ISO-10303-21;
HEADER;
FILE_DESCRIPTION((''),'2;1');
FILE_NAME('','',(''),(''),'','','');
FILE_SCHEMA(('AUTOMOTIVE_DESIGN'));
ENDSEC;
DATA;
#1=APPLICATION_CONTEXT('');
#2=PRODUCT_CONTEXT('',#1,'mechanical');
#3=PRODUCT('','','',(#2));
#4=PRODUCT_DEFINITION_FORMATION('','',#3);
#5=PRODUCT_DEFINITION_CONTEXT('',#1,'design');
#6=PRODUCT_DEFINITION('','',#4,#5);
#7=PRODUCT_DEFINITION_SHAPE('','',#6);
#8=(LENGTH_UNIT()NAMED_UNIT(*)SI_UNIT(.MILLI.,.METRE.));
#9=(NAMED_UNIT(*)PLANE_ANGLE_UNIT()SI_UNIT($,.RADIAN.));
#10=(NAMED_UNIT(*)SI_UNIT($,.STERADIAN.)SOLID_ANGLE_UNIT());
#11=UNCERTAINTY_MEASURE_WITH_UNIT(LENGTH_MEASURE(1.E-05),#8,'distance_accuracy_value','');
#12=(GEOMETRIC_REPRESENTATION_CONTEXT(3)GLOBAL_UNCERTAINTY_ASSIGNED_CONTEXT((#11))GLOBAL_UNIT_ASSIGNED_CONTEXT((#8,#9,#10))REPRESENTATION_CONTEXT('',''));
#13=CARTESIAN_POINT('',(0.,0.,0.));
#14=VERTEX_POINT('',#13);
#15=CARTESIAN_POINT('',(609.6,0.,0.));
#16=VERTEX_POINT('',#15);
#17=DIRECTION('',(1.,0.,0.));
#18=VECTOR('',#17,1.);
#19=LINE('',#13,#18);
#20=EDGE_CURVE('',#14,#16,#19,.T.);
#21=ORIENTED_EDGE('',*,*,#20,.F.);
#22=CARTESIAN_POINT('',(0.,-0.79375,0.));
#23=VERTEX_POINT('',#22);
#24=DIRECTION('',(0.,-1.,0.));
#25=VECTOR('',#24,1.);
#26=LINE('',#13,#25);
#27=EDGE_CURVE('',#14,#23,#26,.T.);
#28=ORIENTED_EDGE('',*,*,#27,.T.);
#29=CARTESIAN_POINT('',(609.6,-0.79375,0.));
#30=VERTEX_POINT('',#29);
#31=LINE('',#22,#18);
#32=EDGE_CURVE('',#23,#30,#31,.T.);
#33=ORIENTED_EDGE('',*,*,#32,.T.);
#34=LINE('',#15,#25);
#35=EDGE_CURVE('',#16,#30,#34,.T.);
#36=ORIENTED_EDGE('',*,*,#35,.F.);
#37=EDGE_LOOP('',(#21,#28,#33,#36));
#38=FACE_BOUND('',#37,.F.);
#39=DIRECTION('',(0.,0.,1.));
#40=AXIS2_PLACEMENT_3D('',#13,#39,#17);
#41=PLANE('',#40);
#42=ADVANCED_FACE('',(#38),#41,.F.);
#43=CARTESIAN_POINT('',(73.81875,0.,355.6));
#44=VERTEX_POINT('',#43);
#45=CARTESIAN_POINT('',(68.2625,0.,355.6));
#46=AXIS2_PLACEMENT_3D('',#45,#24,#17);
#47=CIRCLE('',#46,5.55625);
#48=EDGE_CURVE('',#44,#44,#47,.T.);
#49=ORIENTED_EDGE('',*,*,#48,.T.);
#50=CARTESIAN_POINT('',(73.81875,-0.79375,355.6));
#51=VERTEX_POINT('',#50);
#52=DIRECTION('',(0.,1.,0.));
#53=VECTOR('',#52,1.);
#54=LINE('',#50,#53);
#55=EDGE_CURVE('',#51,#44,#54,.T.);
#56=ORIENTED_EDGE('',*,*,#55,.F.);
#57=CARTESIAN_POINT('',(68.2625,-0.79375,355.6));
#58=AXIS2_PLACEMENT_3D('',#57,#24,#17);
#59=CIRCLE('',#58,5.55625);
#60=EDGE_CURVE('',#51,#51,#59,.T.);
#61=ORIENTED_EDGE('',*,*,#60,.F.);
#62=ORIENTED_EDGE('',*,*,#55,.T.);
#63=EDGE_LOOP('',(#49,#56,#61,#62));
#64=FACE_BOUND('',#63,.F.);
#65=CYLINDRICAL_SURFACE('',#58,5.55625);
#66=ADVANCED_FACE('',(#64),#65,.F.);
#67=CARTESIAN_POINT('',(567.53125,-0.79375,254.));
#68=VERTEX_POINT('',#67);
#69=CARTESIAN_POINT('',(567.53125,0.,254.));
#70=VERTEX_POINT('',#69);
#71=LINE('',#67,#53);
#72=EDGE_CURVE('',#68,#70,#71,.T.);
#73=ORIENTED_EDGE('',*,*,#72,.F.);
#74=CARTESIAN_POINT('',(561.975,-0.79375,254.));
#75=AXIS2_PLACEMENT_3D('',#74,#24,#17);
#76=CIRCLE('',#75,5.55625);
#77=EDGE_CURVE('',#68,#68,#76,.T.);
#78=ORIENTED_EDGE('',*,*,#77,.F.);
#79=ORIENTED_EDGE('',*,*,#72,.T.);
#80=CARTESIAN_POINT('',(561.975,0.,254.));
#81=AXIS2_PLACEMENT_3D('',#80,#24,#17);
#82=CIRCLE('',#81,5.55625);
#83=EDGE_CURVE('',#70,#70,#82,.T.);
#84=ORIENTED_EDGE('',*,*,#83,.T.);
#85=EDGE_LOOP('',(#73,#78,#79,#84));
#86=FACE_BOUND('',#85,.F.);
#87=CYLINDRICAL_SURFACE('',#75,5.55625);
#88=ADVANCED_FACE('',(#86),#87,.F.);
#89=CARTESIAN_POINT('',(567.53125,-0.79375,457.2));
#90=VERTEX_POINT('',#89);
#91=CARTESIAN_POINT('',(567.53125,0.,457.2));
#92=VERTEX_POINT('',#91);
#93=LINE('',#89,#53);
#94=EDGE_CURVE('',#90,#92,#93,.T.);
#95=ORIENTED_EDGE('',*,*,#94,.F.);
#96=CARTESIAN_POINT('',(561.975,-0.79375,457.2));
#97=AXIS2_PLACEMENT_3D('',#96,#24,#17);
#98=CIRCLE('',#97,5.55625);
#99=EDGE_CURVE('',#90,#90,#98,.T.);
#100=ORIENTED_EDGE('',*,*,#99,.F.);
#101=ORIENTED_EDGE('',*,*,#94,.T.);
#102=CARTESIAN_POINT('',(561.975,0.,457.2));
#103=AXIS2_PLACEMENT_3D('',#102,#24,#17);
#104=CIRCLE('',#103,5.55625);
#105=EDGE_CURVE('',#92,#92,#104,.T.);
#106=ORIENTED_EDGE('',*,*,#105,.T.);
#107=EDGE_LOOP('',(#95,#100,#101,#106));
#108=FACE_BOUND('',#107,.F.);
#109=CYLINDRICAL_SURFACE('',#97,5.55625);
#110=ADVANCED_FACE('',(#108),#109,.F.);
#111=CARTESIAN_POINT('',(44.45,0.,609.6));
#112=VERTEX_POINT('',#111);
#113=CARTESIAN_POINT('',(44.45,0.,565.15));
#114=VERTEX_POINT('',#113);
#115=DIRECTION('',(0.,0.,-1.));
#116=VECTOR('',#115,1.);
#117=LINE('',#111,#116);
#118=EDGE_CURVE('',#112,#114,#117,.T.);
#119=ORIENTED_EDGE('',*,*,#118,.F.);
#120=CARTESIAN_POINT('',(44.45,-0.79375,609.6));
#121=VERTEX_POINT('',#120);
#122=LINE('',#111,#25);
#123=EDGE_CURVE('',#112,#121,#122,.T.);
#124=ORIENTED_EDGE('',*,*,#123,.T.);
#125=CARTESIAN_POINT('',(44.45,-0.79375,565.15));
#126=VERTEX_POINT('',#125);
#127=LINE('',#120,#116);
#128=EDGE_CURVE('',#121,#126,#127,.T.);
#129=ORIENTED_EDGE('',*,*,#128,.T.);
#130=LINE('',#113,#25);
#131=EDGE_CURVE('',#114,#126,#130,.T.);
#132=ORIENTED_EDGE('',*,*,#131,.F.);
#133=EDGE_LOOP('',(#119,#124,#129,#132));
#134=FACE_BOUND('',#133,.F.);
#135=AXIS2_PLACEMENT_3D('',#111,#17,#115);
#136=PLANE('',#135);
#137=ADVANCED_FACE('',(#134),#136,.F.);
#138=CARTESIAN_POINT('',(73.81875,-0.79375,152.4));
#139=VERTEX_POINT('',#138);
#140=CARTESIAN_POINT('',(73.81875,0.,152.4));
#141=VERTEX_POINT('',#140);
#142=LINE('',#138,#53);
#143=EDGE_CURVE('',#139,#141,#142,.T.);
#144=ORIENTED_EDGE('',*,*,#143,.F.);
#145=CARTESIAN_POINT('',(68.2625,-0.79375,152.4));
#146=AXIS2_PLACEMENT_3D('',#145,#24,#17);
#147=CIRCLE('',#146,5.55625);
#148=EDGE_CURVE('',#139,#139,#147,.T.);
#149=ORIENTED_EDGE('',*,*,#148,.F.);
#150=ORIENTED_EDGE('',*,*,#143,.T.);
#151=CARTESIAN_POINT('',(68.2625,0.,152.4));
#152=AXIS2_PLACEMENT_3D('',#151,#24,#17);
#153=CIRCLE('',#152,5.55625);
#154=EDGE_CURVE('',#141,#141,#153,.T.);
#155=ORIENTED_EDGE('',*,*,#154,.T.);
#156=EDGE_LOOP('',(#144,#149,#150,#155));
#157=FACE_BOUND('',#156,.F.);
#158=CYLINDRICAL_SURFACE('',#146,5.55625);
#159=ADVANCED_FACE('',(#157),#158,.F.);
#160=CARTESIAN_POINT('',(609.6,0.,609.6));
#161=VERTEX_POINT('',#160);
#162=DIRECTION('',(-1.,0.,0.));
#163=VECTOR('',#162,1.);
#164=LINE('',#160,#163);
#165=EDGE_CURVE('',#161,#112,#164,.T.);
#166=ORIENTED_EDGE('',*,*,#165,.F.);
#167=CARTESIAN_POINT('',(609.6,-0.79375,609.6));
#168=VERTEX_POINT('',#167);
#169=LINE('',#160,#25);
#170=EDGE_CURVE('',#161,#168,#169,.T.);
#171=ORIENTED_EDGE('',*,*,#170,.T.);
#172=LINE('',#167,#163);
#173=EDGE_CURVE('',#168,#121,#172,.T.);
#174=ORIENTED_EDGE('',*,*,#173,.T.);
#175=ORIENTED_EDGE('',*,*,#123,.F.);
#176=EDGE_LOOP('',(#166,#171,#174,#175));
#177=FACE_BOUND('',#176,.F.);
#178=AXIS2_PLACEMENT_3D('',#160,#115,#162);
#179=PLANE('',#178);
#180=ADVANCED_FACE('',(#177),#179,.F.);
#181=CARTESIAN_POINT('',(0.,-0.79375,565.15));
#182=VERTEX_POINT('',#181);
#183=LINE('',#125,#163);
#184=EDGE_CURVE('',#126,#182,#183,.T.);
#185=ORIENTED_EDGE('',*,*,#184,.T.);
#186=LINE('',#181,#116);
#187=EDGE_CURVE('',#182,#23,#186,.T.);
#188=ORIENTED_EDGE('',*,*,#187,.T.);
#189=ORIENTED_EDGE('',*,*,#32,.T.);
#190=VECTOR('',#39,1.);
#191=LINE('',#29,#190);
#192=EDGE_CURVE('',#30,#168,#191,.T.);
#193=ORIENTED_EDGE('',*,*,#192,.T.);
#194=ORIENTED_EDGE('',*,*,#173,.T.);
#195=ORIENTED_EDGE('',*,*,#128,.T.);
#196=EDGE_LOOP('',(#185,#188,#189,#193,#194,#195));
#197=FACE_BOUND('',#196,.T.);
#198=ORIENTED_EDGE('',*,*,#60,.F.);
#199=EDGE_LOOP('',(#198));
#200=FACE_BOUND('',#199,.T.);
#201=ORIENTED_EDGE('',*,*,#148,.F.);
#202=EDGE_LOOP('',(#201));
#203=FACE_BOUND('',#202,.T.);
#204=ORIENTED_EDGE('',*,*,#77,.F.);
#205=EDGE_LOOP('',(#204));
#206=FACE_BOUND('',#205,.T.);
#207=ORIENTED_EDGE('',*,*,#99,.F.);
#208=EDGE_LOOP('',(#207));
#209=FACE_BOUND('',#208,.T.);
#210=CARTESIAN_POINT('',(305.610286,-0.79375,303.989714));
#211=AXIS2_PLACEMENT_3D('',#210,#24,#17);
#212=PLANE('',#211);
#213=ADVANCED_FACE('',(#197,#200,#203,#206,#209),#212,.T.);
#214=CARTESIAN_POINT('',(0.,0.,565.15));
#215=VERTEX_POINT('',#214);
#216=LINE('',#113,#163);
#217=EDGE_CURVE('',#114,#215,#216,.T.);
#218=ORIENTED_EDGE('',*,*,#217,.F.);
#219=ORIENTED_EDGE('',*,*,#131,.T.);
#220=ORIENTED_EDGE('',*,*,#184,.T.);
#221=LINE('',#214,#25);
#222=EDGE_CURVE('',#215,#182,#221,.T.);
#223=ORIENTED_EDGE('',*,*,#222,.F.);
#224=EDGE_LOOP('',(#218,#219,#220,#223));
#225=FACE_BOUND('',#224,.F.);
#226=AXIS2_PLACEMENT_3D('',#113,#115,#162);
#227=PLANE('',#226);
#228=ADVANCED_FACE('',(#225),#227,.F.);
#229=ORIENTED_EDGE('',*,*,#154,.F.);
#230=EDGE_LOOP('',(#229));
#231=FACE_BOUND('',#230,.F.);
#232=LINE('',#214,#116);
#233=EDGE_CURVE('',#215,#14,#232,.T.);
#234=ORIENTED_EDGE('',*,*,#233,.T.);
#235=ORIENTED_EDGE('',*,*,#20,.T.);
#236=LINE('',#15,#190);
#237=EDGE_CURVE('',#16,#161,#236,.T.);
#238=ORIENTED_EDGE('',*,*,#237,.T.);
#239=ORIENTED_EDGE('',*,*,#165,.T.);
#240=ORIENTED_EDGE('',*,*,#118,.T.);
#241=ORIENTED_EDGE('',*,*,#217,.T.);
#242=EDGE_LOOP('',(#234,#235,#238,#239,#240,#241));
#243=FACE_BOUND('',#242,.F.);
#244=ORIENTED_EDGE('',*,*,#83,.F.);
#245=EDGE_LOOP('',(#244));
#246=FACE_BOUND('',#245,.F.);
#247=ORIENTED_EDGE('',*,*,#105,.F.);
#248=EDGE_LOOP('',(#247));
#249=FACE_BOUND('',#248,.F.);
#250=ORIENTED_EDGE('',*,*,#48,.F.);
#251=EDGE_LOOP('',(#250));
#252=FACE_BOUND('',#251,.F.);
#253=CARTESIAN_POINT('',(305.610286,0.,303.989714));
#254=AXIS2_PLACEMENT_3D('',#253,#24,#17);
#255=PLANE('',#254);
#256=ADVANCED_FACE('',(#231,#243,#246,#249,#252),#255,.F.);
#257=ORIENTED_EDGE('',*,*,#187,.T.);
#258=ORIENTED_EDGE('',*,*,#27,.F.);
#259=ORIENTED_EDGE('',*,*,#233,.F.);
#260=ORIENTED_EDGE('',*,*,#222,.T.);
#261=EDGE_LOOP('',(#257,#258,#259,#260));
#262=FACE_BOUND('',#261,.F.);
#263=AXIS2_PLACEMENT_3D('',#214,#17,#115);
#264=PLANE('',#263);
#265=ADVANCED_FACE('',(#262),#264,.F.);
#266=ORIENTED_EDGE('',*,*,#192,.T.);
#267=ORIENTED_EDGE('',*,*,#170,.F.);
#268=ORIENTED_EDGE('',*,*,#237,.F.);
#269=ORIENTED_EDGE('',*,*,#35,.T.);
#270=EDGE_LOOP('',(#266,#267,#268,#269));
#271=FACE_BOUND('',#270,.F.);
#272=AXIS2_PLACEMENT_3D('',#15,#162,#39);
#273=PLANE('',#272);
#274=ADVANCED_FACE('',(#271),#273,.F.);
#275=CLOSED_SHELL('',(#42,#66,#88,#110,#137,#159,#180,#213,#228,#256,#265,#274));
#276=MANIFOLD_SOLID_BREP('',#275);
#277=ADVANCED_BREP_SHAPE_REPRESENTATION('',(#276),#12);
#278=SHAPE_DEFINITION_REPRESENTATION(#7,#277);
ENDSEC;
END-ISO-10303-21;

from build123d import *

# Parameters (mm, degrees)
F1_DEPTH = 0.79375
F2_R     = 5.55625
F3_DEPTH = 25.4


with BuildPart() as f1:
    # F0 (on Front) → F1 (new body)
    with BuildSketch(Plane.XZ):
        Polygon((0, 565.15), (0, 0), (609.6, 0), (609.6, 609.6), (44.45, 609.6), (44.45, 565.15), align=None)
    extrude(amount=F1_DEPTH)

    # F2 (on face) → F3 (cut)
    with BuildSketch(Plane.XZ.offset(0.79375)):
        with Locations((561.975, 254)):
            Circle(F2_R)
        with Locations((561.975, 457.2)):
            Circle(F2_R)
        with Locations((68.2625, 152.4)):
            Circle(F2_R)
        with Locations((68.2625, 355.6)):
            Circle(F2_R)
    extrude(amount=-F3_DEPTH, mode=Mode.SUBTRACT)


solid = f1.part
